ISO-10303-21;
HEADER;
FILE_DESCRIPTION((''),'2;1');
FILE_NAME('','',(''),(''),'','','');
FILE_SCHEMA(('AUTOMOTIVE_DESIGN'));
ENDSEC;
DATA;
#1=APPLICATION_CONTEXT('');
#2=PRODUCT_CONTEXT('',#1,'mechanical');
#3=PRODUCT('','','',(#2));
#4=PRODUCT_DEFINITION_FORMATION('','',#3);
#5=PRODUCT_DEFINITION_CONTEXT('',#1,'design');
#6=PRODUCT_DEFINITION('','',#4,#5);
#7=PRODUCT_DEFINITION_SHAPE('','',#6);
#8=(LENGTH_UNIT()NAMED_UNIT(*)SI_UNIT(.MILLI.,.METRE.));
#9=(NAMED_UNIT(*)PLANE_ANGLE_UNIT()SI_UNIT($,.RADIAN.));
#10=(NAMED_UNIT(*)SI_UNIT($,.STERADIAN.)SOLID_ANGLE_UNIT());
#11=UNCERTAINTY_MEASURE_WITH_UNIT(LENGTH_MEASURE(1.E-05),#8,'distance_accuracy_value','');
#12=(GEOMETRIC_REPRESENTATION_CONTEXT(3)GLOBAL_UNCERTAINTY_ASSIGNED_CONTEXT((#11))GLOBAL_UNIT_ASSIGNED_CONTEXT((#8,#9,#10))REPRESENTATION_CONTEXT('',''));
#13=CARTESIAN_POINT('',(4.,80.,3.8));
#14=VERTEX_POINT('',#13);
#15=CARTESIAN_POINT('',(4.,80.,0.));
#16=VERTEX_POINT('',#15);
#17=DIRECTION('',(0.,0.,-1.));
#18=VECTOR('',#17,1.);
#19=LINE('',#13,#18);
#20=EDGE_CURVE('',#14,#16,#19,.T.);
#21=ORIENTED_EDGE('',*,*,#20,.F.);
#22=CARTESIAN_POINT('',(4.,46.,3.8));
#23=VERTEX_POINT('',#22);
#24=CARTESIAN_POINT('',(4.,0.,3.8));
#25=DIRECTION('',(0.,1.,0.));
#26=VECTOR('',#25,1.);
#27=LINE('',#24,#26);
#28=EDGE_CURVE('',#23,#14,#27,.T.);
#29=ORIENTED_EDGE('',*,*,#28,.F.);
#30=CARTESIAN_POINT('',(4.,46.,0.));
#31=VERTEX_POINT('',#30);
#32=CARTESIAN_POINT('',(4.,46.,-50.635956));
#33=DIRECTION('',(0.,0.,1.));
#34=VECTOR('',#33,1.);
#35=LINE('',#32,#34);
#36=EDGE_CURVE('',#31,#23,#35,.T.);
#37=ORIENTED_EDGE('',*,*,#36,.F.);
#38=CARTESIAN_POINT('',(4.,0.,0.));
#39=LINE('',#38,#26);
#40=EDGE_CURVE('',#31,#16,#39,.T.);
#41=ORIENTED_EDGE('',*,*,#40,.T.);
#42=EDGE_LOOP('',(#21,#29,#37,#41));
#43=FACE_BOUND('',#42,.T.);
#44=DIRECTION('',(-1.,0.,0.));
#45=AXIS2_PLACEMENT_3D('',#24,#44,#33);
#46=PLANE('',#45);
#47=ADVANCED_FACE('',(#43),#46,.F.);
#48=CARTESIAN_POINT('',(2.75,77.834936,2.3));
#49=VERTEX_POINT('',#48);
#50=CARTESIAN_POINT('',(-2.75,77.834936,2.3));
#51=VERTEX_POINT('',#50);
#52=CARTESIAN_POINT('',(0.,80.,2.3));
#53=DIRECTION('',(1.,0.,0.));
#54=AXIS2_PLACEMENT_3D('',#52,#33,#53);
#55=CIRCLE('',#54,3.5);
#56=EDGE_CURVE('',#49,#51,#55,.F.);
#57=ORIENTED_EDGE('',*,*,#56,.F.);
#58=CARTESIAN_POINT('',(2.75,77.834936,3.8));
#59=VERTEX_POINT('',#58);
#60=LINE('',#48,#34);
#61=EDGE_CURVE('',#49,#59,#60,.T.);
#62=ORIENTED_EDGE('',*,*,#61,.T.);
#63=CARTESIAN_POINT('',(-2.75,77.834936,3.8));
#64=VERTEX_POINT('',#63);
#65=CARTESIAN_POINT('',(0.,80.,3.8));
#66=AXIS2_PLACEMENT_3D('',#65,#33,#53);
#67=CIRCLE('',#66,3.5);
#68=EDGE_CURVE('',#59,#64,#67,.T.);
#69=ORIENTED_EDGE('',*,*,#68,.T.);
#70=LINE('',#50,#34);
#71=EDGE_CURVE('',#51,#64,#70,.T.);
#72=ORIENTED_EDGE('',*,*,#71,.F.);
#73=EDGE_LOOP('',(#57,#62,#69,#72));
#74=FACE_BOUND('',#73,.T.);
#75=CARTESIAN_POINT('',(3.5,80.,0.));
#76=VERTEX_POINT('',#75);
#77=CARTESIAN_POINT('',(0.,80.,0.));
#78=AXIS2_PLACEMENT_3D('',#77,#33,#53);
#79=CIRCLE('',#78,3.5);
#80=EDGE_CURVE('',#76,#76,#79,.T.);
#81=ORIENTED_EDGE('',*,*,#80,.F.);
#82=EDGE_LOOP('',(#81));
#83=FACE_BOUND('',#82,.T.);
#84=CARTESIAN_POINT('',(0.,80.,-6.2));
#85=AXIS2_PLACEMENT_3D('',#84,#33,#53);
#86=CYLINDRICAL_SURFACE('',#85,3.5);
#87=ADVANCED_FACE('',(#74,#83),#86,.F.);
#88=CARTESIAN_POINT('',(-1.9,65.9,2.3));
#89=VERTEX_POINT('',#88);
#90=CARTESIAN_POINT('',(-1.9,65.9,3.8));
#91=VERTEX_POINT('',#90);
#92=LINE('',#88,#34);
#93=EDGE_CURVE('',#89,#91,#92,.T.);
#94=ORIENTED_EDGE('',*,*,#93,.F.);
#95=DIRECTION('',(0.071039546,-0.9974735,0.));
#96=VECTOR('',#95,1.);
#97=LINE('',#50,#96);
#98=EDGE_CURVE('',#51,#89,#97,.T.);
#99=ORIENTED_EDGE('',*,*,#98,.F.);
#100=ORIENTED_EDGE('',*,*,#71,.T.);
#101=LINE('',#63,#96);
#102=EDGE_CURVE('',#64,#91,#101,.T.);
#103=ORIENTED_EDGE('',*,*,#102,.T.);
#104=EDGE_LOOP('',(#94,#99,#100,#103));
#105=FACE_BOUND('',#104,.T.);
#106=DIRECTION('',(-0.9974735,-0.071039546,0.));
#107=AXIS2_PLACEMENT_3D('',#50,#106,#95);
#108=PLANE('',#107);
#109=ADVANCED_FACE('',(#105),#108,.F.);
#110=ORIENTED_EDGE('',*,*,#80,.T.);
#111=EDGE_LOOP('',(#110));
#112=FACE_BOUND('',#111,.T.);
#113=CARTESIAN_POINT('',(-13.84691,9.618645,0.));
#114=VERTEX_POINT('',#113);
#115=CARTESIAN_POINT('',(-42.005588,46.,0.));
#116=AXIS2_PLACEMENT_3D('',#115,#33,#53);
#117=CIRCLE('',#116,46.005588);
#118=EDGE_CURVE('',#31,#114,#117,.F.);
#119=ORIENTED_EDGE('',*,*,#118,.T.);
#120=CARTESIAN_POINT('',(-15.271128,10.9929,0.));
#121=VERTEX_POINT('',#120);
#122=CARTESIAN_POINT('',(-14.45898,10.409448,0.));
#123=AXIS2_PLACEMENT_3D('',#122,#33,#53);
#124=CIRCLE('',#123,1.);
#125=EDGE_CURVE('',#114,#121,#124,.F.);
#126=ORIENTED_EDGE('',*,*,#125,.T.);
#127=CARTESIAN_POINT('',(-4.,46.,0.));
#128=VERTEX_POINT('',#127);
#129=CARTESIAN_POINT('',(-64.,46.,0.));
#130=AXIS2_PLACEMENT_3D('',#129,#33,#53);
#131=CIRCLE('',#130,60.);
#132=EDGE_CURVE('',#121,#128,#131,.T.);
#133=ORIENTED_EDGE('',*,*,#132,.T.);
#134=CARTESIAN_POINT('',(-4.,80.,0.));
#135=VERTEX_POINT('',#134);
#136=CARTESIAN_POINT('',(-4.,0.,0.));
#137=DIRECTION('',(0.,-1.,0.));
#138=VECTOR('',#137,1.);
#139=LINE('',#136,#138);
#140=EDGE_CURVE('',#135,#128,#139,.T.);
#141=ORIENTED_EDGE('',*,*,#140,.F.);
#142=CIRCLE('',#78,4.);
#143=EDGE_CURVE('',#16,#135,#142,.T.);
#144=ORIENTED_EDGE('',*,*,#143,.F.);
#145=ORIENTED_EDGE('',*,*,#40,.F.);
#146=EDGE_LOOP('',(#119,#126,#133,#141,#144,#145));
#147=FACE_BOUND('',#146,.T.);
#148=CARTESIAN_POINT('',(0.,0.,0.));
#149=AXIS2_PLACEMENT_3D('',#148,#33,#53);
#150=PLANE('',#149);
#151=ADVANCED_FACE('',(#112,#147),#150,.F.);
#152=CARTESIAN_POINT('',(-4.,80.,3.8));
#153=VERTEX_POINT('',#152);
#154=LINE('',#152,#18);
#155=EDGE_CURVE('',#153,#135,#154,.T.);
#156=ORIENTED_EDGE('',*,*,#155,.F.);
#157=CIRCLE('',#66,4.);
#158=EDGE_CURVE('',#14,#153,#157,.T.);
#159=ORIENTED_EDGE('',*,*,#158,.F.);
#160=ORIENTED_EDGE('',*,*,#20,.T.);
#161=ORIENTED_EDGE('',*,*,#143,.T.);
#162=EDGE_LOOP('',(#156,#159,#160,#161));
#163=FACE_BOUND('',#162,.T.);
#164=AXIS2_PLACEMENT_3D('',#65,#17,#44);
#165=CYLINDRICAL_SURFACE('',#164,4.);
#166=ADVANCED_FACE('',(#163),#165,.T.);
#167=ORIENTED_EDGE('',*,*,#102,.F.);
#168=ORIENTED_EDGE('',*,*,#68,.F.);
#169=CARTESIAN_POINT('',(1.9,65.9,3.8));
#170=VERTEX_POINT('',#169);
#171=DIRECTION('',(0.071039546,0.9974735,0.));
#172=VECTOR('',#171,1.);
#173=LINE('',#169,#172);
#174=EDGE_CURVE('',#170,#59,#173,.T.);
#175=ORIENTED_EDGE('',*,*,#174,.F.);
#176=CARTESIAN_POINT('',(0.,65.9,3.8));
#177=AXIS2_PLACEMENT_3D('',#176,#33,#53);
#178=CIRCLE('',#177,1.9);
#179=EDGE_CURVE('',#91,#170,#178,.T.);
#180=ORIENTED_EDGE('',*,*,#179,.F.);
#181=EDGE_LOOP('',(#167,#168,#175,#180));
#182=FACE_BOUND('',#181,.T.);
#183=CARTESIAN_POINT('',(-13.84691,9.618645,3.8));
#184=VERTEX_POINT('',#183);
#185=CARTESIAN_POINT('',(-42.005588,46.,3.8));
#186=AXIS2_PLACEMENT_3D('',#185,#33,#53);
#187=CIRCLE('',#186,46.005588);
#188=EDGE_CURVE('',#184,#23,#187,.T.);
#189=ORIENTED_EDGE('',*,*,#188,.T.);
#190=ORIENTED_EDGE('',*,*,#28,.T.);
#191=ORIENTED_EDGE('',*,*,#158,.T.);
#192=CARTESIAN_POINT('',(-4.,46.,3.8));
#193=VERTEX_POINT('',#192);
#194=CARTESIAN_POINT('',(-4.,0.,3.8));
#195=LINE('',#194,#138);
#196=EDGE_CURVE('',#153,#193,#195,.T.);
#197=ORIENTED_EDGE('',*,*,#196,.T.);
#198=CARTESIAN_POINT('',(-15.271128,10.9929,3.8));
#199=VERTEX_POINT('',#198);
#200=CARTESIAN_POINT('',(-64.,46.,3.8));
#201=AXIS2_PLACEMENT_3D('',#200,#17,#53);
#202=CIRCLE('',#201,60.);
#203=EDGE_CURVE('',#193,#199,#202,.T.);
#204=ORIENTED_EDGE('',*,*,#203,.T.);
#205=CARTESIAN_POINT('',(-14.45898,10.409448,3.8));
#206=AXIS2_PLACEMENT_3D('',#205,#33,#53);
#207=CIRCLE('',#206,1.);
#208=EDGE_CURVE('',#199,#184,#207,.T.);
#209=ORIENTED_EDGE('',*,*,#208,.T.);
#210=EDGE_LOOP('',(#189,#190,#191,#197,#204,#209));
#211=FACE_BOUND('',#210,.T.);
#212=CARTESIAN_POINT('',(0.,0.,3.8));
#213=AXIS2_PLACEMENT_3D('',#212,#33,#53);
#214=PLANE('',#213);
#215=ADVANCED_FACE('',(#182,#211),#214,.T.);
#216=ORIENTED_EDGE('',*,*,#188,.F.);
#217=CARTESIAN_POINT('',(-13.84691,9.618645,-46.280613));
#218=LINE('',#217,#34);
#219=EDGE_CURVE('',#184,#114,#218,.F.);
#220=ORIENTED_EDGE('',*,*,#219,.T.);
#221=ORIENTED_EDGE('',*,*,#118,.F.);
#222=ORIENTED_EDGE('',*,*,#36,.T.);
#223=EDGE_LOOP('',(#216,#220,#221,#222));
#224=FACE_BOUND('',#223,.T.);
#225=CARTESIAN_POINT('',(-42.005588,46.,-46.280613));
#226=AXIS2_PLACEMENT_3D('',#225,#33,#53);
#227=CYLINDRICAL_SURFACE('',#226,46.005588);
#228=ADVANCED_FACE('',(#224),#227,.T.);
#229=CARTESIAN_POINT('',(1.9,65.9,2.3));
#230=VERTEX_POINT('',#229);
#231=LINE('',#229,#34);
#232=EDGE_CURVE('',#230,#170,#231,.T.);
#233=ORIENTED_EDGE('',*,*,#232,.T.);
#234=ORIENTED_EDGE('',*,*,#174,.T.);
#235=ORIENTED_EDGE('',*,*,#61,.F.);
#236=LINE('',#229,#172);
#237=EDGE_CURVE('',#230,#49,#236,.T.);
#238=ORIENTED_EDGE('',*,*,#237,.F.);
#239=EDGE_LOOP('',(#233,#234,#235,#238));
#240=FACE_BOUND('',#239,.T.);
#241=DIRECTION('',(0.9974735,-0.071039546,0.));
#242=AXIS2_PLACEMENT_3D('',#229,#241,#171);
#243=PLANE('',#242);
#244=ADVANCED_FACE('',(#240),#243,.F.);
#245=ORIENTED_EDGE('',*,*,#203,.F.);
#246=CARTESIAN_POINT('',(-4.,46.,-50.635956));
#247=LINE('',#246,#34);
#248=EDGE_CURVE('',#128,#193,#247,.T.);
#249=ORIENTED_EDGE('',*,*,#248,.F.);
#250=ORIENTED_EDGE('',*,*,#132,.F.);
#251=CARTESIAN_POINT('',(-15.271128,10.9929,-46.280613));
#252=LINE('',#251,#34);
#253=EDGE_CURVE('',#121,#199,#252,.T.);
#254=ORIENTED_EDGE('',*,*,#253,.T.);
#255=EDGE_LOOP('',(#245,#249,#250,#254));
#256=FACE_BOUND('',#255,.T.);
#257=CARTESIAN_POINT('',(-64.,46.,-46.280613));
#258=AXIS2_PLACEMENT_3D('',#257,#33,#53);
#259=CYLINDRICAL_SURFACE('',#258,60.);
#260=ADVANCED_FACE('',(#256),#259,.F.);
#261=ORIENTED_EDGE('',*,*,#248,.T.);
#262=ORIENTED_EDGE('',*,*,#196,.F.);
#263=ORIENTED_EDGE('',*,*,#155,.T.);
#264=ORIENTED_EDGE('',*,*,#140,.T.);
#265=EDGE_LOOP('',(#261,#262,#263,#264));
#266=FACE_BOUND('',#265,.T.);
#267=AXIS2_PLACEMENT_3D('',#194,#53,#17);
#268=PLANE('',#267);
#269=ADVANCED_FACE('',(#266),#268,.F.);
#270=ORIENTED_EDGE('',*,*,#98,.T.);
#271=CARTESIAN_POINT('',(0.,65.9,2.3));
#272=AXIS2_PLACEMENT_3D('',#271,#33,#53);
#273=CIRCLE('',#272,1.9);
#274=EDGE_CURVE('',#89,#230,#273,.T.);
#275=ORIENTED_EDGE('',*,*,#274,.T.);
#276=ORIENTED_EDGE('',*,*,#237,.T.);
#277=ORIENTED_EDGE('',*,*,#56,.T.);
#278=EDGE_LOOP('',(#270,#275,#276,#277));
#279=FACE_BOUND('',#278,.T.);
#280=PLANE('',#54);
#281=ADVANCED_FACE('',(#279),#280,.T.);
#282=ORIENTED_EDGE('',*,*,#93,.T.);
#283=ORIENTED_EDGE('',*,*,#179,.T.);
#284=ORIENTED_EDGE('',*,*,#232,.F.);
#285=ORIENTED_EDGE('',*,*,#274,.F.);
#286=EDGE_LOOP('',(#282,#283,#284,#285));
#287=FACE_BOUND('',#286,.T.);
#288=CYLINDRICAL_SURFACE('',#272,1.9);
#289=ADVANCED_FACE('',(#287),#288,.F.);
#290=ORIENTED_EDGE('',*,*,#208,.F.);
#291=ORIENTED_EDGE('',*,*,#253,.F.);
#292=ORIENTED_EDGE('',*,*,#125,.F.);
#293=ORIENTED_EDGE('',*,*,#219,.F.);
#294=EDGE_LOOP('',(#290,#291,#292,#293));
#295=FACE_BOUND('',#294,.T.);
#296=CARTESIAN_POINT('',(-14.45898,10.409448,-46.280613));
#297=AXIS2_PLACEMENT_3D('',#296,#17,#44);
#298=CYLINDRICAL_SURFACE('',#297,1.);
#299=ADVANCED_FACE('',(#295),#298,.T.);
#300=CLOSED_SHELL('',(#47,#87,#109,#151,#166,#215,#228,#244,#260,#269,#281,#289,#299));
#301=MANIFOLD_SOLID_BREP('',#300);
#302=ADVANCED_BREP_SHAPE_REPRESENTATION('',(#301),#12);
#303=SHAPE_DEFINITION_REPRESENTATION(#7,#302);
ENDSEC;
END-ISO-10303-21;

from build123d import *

# Parameters (mm, degrees)
SCHIZZO1_R                   = 1.897864919
ESTRUSIONE_ESTRUSIONE1_DEPTH = 3.8
SCHIZZO7_W                   = 8
SCHIZZO7_H                   = 50
TAGLIO_ESTRUSIONE4_DEPTH     = 3.8
ESTRUSIONE_ESTRUSIONE4_DEPTH = 3.8
RACCORDO2_R                  = 1
SCHIZZO10_R                  = 3.5
TAGLIO_ESTRUSIONE5_DEPTH     = 10
TAGLIO_ESTRUSIONE6_DEPTH     = 1.5


with BuildPart() as part:
    # Schizzo1 → Estrusione-Estrusione1 (new body)
    with BuildSketch(Plane.XY):
        with BuildLine():
            Line((-4, 0), (-4, 80))
            ThreePointArc((-4, 80), (0, 84), (4, 80))
            Line((4, 80), (4, 0))
            ThreePointArc((4, 0), (0, -4), (-4, 0))
        make_face()
        with Locations(Location((0, 80, 0), (0, 0, 180))):
            Circle(SCHIZZO1_R, mode=Mode.SUBTRACT)
    extrude(amount=ESTRUSIONE_ESTRUSIONE1_DEPTH)

    # Schizzo7 → Taglio-Estrusione4 (cut)
    with BuildSketch(Plane.XY.offset(3.8)):
        with Locations((0, 21)):
            Rectangle(SCHIZZO7_W, SCHIZZO7_H)
    extrude(amount=-TAGLIO_ESTRUSIONE4_DEPTH, mode=Mode.SUBTRACT)

    # Schizzo9 → Estrusione-Estrusione4 (add)
    with BuildSketch(Plane.XY.offset(3.8)):
        with BuildLine():
            Line((-4, 46), (4, 46))
            ThreePointArc((4, 46), (-2.243289818, 22.859693708), (-19.27864045, 6))
            ThreePointArc((-19.27864045, 6), (-7.949658462, 24.590674614), (-4, 46))
        make_face()
    extrude(amount=-ESTRUSIONE_ESTRUSIONE4_DEPTH)

    # Raccordo2
    raccordo2_edges = [part.edges().sort_by_distance(p)[0] for p in [
        (-19.27864045, 6, 1.9),
    ]]
    fillet(raccordo2_edges, radius=RACCORDO2_R)

    # Schizzo10 → Taglio-Estrusione5 (cut)
    with BuildSketch(Plane.XY.offset(3.8)):
        with Locations((0, 80)):
            Circle(SCHIZZO10_R)
    extrude(amount=-TAGLIO_ESTRUSIONE5_DEPTH, mode=Mode.SUBTRACT)

    # Schizzo13 → Taglio-Estrusione6 (cut)
    with BuildSketch(Plane.XY.offset(3.8)):
        with BuildLine():
            Line((-2.75, 77.834936491), (-1.9, 65.9))
            ThreePointArc((-1.9, 65.9), (0, 64), (1.9, 65.9))
            Line((1.9, 65.9), (2.75, 77.834936491))
            ThreePointArc((2.75, 77.834936491), (1.145643924, 83.307189139), (-3.5, 80))
            ThreePointArc((-3.5, 80), (-3.307189139, 78.854356076), (-2.75, 77.834936491))
        make_face()
    extrude(amount=-TAGLIO_ESTRUSIONE6_DEPTH, mode=Mode.SUBTRACT)


solid = part.part
